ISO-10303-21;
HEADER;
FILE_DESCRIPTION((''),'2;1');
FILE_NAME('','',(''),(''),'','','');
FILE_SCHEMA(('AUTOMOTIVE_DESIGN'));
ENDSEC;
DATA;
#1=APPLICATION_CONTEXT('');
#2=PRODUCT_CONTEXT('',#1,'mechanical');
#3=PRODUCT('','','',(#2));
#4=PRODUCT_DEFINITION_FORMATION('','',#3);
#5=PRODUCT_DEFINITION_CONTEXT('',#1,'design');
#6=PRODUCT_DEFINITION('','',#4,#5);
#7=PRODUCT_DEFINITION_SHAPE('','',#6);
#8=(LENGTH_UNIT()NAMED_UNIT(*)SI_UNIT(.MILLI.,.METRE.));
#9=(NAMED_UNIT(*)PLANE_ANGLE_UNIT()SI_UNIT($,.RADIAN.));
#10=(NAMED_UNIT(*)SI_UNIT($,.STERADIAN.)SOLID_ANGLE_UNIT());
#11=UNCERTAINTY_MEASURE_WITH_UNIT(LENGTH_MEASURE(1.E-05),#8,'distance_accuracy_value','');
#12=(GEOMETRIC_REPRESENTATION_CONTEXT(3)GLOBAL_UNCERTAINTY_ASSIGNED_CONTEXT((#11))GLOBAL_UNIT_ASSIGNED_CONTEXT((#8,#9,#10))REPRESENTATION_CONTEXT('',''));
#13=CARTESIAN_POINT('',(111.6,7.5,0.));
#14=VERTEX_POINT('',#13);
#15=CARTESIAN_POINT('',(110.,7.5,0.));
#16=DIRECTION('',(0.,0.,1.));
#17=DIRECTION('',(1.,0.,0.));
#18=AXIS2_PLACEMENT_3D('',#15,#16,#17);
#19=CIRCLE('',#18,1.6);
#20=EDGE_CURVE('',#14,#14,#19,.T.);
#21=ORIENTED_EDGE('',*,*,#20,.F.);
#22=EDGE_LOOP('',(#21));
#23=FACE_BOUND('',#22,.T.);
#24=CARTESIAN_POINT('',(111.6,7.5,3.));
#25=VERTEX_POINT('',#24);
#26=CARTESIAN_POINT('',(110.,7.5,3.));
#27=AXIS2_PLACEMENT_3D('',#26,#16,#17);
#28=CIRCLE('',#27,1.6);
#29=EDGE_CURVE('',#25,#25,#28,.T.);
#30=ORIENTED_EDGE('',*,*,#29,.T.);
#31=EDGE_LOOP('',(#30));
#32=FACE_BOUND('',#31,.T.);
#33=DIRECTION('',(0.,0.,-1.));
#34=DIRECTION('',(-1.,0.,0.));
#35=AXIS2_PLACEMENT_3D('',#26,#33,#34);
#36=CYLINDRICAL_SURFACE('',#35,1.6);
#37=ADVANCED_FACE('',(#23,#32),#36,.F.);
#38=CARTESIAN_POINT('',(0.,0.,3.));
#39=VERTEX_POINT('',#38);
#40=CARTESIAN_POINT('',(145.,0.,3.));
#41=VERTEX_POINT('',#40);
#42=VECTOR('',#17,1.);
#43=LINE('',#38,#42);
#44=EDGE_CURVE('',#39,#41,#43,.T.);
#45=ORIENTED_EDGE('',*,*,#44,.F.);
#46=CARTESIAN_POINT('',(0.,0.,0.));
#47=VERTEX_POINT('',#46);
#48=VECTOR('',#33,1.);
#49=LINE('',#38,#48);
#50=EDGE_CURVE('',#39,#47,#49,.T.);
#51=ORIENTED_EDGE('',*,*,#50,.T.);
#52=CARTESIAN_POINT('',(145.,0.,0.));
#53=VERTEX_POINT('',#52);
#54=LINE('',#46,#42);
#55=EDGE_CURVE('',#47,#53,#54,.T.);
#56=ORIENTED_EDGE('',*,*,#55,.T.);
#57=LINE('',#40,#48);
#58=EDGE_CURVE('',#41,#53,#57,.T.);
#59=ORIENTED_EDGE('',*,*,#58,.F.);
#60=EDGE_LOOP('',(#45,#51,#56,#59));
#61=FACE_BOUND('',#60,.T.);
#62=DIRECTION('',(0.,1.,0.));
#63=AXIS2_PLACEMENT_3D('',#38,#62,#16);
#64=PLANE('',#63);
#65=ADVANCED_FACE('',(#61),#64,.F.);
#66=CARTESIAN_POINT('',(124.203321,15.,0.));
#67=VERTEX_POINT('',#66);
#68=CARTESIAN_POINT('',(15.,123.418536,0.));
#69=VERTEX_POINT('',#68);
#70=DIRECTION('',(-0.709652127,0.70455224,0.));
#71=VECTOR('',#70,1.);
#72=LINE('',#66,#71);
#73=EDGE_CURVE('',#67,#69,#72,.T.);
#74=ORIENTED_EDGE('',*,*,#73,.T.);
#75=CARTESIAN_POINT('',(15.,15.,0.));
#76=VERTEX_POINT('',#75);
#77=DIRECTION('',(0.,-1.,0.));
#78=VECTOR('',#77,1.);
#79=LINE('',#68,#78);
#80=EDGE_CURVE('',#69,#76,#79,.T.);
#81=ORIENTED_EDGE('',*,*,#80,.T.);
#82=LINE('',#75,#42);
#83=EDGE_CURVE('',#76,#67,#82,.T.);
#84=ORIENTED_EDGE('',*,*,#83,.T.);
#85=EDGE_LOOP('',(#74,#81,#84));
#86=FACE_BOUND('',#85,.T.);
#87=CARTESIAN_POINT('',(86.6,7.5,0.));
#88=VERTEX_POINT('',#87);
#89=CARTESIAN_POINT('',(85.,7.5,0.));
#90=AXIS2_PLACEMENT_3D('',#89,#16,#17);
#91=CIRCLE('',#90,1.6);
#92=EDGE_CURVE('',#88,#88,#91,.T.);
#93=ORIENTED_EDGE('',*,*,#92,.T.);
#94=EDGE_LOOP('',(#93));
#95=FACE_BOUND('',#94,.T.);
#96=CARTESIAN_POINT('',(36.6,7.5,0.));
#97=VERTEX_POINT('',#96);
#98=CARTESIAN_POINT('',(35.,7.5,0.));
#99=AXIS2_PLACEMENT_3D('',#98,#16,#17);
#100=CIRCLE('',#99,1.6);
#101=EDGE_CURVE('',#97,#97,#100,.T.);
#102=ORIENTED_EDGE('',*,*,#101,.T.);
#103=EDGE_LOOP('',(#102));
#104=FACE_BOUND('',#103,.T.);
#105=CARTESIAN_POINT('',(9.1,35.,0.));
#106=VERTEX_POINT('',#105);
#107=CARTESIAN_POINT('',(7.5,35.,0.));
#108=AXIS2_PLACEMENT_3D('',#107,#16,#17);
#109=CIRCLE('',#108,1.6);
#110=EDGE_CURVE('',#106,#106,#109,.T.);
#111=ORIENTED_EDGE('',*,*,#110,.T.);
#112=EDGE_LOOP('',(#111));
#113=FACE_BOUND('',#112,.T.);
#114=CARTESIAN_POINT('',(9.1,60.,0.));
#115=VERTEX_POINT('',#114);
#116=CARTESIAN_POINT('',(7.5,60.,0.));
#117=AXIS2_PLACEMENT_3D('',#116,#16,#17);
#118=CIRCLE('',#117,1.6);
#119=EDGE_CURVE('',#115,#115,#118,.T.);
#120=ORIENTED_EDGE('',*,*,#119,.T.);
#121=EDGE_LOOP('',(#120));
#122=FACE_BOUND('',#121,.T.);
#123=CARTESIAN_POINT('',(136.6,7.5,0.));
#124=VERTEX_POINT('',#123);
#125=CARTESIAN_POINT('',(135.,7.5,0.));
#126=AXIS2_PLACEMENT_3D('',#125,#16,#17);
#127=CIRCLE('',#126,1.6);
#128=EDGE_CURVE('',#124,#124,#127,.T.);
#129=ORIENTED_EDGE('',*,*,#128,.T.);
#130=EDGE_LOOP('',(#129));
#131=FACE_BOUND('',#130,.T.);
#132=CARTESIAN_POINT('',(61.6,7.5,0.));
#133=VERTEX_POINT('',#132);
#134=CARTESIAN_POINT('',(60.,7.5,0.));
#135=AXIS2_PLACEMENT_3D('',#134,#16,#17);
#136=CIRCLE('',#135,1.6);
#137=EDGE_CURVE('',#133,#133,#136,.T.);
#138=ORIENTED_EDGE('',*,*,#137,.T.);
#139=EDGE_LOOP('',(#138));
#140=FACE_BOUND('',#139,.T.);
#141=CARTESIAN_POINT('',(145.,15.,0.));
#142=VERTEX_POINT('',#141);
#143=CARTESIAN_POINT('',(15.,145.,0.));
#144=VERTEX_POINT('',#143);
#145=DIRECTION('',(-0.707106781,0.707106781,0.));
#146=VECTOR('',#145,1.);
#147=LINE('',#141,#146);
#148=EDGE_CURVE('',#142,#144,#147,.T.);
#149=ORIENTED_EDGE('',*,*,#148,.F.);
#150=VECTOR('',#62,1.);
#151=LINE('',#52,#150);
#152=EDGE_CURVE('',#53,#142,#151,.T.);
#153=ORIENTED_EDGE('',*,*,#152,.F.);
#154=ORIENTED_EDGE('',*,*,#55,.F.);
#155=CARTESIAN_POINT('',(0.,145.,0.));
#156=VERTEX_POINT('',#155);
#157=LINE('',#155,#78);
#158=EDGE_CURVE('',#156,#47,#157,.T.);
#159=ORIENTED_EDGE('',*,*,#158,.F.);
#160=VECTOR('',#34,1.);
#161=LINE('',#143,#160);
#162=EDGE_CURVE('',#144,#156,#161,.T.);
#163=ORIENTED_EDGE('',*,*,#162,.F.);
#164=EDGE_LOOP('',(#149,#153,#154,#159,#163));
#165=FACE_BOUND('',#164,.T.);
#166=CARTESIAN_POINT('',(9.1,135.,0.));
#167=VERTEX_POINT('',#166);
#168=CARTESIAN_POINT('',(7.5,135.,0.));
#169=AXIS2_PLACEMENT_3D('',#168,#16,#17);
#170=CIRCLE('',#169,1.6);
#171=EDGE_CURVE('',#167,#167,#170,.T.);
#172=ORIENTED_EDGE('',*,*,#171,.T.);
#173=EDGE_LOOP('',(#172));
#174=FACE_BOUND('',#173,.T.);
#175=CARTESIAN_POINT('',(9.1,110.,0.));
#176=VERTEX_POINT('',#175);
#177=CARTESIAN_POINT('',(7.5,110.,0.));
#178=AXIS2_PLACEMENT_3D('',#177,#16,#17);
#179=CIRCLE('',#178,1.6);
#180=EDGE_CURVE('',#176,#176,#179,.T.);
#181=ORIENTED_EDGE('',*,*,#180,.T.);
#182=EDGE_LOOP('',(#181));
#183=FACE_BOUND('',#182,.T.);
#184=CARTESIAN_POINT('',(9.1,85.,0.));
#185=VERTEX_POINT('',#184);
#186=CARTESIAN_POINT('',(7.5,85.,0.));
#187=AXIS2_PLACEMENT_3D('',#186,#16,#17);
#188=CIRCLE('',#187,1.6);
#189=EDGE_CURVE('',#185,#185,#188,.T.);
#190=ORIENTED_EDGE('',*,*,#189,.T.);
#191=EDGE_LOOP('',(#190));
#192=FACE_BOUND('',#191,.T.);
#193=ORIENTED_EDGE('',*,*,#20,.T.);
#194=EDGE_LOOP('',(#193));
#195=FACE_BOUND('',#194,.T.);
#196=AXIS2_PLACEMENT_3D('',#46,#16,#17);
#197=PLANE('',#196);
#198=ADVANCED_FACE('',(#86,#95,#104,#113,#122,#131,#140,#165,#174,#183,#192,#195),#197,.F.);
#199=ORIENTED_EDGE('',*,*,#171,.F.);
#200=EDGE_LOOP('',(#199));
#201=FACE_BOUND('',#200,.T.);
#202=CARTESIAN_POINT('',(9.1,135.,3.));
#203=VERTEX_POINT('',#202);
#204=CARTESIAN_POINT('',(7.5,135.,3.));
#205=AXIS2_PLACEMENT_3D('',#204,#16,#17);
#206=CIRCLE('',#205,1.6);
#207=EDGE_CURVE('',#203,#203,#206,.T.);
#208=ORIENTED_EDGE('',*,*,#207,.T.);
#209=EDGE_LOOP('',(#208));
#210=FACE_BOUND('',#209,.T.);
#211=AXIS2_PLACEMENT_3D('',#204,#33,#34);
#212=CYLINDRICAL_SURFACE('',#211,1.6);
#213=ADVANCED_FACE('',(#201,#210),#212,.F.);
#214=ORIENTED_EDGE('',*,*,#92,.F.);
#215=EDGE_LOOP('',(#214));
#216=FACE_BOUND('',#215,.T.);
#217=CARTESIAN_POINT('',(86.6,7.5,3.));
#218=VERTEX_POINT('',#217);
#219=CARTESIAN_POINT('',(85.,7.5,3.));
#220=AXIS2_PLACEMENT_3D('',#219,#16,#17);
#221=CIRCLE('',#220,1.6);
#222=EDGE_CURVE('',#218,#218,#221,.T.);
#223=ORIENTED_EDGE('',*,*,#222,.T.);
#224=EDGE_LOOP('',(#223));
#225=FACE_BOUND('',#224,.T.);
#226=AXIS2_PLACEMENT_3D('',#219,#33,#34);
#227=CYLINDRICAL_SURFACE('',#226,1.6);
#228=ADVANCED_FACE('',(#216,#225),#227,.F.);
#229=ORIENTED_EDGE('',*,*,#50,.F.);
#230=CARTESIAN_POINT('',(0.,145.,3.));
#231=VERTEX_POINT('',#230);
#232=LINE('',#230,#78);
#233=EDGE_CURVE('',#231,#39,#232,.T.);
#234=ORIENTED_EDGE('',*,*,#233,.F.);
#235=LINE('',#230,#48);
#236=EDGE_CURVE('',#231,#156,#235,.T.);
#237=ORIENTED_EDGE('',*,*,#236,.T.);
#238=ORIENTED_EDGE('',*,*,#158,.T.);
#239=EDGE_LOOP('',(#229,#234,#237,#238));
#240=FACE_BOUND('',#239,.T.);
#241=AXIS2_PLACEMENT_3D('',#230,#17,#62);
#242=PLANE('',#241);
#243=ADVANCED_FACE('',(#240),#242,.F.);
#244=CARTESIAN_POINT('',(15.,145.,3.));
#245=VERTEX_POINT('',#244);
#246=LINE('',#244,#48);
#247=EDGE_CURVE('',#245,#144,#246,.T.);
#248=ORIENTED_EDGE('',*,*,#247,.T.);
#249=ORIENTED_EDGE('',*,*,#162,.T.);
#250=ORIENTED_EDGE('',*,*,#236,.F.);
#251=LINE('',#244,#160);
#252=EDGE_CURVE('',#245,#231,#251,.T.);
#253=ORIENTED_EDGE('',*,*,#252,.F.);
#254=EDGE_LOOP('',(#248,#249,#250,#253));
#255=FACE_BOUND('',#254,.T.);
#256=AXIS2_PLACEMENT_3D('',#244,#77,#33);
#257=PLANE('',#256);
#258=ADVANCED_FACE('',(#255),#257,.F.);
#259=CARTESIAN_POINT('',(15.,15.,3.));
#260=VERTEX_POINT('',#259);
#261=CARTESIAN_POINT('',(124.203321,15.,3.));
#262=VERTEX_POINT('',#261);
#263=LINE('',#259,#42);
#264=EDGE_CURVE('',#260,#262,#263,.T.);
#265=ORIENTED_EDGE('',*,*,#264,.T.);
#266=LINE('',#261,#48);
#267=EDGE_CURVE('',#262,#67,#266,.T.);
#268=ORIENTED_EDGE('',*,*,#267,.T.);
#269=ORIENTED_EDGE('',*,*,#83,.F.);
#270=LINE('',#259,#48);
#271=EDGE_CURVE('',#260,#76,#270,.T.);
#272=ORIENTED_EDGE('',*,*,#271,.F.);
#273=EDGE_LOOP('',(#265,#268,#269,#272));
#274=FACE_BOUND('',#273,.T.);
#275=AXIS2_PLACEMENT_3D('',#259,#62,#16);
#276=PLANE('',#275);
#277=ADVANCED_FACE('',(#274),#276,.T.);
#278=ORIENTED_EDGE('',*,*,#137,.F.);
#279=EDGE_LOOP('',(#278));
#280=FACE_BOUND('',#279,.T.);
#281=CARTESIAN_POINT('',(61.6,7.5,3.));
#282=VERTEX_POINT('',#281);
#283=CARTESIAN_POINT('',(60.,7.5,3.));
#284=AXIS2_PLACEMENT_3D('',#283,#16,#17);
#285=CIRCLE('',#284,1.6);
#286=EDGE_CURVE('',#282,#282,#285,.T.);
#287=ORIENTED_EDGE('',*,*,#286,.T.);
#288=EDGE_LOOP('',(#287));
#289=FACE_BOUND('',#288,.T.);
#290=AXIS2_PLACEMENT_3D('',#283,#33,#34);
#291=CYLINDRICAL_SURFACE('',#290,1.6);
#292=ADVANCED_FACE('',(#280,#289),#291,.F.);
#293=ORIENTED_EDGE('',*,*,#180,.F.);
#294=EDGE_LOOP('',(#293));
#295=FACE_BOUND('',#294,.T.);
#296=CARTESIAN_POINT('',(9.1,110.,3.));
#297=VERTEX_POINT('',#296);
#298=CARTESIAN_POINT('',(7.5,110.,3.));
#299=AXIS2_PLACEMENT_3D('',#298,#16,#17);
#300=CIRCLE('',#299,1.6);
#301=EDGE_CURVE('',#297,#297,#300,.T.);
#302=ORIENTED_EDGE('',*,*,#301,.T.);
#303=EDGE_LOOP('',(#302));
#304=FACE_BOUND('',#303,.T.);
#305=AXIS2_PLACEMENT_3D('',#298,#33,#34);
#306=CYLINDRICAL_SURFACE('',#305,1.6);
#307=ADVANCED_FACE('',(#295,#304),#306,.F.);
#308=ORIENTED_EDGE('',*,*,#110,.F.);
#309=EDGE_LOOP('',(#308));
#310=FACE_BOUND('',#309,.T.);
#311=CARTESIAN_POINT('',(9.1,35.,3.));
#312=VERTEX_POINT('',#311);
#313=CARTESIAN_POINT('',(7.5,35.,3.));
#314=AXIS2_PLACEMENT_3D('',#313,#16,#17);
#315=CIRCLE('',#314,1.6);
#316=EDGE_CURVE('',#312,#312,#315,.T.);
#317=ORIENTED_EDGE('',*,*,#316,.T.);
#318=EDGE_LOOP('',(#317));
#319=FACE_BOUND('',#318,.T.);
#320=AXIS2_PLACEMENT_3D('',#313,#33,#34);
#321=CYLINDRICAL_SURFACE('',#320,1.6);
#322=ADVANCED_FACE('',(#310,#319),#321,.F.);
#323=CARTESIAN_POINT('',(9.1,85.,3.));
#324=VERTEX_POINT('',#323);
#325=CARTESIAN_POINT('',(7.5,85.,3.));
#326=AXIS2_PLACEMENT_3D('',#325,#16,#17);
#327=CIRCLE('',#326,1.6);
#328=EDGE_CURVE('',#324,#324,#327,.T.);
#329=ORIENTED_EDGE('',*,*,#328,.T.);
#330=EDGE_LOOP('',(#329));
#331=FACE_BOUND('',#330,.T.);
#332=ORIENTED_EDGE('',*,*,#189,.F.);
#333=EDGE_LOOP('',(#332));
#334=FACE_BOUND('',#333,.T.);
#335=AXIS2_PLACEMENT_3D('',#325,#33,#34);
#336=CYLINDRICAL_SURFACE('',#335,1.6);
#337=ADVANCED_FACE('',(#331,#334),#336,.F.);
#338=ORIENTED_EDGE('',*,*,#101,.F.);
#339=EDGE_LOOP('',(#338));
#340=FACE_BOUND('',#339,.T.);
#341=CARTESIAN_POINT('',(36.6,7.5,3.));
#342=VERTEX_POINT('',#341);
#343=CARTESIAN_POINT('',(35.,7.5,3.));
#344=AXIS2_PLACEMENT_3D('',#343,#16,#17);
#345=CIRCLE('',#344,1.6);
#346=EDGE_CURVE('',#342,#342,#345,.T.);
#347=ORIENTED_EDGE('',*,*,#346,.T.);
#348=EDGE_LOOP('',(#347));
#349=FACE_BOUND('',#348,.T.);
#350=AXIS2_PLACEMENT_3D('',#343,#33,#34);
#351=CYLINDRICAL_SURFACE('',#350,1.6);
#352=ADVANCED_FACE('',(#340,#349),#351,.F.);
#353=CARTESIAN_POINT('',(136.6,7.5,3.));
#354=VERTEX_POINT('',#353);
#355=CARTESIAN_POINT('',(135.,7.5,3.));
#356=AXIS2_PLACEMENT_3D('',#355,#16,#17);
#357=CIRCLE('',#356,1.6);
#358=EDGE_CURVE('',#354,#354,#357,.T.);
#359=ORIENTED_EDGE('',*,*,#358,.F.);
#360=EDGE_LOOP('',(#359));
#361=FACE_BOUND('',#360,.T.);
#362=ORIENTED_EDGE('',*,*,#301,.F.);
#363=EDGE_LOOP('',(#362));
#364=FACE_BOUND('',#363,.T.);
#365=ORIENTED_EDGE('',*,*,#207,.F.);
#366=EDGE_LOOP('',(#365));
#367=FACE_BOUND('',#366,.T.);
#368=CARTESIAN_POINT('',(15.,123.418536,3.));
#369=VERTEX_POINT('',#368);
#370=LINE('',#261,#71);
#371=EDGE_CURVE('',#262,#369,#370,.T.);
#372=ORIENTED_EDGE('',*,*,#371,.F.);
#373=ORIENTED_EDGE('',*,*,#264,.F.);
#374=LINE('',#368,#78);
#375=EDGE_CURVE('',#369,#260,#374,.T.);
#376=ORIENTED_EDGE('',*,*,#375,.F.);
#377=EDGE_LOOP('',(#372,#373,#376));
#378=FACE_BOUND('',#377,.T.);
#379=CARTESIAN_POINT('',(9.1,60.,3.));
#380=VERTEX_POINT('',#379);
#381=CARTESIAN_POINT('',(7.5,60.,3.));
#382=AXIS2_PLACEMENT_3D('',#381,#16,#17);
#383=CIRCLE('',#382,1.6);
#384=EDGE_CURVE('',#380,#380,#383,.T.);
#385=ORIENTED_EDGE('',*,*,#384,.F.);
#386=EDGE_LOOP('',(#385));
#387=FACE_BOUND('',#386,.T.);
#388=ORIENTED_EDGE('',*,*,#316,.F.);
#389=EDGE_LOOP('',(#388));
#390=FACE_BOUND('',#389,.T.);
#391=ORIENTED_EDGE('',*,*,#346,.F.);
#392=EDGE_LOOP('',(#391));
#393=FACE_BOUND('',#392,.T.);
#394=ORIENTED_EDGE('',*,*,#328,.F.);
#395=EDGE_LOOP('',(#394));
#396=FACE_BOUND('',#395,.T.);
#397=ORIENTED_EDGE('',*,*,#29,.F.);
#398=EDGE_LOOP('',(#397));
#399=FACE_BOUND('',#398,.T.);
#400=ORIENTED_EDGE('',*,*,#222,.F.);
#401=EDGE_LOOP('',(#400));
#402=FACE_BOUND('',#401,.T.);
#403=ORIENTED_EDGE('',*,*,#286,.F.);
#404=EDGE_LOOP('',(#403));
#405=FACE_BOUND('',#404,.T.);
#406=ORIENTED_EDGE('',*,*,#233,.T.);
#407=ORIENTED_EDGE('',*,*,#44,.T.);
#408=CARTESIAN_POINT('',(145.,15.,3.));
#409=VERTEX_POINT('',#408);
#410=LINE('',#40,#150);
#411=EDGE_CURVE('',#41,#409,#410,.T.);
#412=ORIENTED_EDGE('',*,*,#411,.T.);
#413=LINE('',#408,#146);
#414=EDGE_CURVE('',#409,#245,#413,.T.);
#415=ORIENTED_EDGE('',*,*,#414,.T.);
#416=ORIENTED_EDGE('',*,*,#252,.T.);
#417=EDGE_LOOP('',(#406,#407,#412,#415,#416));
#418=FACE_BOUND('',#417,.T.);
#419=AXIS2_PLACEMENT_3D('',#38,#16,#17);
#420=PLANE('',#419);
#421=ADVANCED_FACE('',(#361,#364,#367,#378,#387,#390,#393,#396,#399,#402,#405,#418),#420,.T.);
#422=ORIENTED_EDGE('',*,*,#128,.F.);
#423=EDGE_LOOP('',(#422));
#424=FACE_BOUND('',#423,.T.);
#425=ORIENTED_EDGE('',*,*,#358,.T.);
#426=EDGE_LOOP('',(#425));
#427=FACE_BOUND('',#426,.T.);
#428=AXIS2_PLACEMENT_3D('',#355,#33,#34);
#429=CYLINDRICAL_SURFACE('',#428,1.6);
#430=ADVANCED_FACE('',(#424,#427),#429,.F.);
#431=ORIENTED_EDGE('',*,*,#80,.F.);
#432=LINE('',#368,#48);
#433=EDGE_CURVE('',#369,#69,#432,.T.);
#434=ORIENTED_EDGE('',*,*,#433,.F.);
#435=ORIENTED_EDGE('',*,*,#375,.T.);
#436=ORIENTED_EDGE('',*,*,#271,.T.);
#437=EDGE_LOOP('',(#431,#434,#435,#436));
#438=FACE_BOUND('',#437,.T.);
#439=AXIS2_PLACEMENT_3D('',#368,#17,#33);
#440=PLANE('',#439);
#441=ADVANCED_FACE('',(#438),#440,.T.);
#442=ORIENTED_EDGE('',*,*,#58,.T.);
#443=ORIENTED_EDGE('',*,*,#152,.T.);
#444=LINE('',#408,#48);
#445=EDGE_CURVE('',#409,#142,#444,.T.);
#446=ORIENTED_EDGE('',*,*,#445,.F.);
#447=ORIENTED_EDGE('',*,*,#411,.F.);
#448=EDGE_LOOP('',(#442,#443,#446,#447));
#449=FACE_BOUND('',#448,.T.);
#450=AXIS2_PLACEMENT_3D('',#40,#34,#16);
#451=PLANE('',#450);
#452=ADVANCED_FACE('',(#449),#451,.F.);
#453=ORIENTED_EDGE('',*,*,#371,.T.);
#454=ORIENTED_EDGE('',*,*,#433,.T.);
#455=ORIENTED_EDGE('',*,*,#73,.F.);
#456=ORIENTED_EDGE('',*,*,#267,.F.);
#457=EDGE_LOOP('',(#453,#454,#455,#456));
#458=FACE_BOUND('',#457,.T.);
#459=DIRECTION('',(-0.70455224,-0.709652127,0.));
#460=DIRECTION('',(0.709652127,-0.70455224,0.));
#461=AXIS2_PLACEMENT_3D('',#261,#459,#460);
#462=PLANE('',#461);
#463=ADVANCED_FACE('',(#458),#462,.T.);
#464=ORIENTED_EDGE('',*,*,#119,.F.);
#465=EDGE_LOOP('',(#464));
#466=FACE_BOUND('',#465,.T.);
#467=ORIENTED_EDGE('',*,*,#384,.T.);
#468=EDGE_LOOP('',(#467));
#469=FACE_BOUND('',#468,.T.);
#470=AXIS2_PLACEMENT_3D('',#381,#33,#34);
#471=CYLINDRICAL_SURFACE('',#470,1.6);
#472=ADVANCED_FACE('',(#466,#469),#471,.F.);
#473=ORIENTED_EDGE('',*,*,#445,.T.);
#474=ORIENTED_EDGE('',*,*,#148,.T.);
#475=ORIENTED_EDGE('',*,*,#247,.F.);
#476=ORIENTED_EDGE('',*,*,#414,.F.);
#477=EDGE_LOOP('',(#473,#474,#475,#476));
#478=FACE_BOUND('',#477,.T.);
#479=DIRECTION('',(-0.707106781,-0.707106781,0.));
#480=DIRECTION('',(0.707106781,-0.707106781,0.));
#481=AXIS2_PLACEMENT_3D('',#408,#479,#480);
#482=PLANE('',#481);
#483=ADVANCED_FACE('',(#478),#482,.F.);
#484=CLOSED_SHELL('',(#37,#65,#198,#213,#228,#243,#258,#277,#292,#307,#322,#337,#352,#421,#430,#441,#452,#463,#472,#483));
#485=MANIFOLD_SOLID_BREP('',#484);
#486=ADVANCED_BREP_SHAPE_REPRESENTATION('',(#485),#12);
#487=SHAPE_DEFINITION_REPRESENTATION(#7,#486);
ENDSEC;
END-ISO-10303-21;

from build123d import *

# Parameters (mm, degrees)
SKETCH1_R           = 1.6
BOSS_EXTRUDE1_DEPTH = 3


with BuildPart() as part:
    # Sketch1 → Boss-Extrude1 (new body)
    with BuildSketch(Plane.XY):
        Polygon((0, 145), (0, 0), (145, 0), (145, 15), (15, 145), align=None)
        with Locations((135, 7.5)):
            Circle(SKETCH1_R, mode=Mode.SUBTRACT)
        with Locations((110, 7.5)):
            Circle(SKETCH1_R, mode=Mode.SUBTRACT)
        with Locations((85, 7.5)):
            Circle(SKETCH1_R, mode=Mode.SUBTRACT)
        with Locations((60, 7.5)):
            Circle(SKETCH1_R, mode=Mode.SUBTRACT)
        with Locations((35, 7.5)):
            Circle(SKETCH1_R, mode=Mode.SUBTRACT)
        with Locations((7.5, 135)):
            Circle(SKETCH1_R, mode=Mode.SUBTRACT)
        with Locations((7.5, 110)):
            Circle(SKETCH1_R, mode=Mode.SUBTRACT)
        with Locations((7.5, 85)):
            Circle(SKETCH1_R, mode=Mode.SUBTRACT)
        with Locations((7.5, 60)):
            Circle(SKETCH1_R, mode=Mode.SUBTRACT)
        with Locations((7.5, 35)):
            Circle(SKETCH1_R, mode=Mode.SUBTRACT)
        Polygon((15, 123.418535773), (15, 15), (124.2033211, 15), align=None, mode=Mode.SUBTRACT)
    extrude(amount=BOSS_EXTRUDE1_DEPTH)


solid = part.part
